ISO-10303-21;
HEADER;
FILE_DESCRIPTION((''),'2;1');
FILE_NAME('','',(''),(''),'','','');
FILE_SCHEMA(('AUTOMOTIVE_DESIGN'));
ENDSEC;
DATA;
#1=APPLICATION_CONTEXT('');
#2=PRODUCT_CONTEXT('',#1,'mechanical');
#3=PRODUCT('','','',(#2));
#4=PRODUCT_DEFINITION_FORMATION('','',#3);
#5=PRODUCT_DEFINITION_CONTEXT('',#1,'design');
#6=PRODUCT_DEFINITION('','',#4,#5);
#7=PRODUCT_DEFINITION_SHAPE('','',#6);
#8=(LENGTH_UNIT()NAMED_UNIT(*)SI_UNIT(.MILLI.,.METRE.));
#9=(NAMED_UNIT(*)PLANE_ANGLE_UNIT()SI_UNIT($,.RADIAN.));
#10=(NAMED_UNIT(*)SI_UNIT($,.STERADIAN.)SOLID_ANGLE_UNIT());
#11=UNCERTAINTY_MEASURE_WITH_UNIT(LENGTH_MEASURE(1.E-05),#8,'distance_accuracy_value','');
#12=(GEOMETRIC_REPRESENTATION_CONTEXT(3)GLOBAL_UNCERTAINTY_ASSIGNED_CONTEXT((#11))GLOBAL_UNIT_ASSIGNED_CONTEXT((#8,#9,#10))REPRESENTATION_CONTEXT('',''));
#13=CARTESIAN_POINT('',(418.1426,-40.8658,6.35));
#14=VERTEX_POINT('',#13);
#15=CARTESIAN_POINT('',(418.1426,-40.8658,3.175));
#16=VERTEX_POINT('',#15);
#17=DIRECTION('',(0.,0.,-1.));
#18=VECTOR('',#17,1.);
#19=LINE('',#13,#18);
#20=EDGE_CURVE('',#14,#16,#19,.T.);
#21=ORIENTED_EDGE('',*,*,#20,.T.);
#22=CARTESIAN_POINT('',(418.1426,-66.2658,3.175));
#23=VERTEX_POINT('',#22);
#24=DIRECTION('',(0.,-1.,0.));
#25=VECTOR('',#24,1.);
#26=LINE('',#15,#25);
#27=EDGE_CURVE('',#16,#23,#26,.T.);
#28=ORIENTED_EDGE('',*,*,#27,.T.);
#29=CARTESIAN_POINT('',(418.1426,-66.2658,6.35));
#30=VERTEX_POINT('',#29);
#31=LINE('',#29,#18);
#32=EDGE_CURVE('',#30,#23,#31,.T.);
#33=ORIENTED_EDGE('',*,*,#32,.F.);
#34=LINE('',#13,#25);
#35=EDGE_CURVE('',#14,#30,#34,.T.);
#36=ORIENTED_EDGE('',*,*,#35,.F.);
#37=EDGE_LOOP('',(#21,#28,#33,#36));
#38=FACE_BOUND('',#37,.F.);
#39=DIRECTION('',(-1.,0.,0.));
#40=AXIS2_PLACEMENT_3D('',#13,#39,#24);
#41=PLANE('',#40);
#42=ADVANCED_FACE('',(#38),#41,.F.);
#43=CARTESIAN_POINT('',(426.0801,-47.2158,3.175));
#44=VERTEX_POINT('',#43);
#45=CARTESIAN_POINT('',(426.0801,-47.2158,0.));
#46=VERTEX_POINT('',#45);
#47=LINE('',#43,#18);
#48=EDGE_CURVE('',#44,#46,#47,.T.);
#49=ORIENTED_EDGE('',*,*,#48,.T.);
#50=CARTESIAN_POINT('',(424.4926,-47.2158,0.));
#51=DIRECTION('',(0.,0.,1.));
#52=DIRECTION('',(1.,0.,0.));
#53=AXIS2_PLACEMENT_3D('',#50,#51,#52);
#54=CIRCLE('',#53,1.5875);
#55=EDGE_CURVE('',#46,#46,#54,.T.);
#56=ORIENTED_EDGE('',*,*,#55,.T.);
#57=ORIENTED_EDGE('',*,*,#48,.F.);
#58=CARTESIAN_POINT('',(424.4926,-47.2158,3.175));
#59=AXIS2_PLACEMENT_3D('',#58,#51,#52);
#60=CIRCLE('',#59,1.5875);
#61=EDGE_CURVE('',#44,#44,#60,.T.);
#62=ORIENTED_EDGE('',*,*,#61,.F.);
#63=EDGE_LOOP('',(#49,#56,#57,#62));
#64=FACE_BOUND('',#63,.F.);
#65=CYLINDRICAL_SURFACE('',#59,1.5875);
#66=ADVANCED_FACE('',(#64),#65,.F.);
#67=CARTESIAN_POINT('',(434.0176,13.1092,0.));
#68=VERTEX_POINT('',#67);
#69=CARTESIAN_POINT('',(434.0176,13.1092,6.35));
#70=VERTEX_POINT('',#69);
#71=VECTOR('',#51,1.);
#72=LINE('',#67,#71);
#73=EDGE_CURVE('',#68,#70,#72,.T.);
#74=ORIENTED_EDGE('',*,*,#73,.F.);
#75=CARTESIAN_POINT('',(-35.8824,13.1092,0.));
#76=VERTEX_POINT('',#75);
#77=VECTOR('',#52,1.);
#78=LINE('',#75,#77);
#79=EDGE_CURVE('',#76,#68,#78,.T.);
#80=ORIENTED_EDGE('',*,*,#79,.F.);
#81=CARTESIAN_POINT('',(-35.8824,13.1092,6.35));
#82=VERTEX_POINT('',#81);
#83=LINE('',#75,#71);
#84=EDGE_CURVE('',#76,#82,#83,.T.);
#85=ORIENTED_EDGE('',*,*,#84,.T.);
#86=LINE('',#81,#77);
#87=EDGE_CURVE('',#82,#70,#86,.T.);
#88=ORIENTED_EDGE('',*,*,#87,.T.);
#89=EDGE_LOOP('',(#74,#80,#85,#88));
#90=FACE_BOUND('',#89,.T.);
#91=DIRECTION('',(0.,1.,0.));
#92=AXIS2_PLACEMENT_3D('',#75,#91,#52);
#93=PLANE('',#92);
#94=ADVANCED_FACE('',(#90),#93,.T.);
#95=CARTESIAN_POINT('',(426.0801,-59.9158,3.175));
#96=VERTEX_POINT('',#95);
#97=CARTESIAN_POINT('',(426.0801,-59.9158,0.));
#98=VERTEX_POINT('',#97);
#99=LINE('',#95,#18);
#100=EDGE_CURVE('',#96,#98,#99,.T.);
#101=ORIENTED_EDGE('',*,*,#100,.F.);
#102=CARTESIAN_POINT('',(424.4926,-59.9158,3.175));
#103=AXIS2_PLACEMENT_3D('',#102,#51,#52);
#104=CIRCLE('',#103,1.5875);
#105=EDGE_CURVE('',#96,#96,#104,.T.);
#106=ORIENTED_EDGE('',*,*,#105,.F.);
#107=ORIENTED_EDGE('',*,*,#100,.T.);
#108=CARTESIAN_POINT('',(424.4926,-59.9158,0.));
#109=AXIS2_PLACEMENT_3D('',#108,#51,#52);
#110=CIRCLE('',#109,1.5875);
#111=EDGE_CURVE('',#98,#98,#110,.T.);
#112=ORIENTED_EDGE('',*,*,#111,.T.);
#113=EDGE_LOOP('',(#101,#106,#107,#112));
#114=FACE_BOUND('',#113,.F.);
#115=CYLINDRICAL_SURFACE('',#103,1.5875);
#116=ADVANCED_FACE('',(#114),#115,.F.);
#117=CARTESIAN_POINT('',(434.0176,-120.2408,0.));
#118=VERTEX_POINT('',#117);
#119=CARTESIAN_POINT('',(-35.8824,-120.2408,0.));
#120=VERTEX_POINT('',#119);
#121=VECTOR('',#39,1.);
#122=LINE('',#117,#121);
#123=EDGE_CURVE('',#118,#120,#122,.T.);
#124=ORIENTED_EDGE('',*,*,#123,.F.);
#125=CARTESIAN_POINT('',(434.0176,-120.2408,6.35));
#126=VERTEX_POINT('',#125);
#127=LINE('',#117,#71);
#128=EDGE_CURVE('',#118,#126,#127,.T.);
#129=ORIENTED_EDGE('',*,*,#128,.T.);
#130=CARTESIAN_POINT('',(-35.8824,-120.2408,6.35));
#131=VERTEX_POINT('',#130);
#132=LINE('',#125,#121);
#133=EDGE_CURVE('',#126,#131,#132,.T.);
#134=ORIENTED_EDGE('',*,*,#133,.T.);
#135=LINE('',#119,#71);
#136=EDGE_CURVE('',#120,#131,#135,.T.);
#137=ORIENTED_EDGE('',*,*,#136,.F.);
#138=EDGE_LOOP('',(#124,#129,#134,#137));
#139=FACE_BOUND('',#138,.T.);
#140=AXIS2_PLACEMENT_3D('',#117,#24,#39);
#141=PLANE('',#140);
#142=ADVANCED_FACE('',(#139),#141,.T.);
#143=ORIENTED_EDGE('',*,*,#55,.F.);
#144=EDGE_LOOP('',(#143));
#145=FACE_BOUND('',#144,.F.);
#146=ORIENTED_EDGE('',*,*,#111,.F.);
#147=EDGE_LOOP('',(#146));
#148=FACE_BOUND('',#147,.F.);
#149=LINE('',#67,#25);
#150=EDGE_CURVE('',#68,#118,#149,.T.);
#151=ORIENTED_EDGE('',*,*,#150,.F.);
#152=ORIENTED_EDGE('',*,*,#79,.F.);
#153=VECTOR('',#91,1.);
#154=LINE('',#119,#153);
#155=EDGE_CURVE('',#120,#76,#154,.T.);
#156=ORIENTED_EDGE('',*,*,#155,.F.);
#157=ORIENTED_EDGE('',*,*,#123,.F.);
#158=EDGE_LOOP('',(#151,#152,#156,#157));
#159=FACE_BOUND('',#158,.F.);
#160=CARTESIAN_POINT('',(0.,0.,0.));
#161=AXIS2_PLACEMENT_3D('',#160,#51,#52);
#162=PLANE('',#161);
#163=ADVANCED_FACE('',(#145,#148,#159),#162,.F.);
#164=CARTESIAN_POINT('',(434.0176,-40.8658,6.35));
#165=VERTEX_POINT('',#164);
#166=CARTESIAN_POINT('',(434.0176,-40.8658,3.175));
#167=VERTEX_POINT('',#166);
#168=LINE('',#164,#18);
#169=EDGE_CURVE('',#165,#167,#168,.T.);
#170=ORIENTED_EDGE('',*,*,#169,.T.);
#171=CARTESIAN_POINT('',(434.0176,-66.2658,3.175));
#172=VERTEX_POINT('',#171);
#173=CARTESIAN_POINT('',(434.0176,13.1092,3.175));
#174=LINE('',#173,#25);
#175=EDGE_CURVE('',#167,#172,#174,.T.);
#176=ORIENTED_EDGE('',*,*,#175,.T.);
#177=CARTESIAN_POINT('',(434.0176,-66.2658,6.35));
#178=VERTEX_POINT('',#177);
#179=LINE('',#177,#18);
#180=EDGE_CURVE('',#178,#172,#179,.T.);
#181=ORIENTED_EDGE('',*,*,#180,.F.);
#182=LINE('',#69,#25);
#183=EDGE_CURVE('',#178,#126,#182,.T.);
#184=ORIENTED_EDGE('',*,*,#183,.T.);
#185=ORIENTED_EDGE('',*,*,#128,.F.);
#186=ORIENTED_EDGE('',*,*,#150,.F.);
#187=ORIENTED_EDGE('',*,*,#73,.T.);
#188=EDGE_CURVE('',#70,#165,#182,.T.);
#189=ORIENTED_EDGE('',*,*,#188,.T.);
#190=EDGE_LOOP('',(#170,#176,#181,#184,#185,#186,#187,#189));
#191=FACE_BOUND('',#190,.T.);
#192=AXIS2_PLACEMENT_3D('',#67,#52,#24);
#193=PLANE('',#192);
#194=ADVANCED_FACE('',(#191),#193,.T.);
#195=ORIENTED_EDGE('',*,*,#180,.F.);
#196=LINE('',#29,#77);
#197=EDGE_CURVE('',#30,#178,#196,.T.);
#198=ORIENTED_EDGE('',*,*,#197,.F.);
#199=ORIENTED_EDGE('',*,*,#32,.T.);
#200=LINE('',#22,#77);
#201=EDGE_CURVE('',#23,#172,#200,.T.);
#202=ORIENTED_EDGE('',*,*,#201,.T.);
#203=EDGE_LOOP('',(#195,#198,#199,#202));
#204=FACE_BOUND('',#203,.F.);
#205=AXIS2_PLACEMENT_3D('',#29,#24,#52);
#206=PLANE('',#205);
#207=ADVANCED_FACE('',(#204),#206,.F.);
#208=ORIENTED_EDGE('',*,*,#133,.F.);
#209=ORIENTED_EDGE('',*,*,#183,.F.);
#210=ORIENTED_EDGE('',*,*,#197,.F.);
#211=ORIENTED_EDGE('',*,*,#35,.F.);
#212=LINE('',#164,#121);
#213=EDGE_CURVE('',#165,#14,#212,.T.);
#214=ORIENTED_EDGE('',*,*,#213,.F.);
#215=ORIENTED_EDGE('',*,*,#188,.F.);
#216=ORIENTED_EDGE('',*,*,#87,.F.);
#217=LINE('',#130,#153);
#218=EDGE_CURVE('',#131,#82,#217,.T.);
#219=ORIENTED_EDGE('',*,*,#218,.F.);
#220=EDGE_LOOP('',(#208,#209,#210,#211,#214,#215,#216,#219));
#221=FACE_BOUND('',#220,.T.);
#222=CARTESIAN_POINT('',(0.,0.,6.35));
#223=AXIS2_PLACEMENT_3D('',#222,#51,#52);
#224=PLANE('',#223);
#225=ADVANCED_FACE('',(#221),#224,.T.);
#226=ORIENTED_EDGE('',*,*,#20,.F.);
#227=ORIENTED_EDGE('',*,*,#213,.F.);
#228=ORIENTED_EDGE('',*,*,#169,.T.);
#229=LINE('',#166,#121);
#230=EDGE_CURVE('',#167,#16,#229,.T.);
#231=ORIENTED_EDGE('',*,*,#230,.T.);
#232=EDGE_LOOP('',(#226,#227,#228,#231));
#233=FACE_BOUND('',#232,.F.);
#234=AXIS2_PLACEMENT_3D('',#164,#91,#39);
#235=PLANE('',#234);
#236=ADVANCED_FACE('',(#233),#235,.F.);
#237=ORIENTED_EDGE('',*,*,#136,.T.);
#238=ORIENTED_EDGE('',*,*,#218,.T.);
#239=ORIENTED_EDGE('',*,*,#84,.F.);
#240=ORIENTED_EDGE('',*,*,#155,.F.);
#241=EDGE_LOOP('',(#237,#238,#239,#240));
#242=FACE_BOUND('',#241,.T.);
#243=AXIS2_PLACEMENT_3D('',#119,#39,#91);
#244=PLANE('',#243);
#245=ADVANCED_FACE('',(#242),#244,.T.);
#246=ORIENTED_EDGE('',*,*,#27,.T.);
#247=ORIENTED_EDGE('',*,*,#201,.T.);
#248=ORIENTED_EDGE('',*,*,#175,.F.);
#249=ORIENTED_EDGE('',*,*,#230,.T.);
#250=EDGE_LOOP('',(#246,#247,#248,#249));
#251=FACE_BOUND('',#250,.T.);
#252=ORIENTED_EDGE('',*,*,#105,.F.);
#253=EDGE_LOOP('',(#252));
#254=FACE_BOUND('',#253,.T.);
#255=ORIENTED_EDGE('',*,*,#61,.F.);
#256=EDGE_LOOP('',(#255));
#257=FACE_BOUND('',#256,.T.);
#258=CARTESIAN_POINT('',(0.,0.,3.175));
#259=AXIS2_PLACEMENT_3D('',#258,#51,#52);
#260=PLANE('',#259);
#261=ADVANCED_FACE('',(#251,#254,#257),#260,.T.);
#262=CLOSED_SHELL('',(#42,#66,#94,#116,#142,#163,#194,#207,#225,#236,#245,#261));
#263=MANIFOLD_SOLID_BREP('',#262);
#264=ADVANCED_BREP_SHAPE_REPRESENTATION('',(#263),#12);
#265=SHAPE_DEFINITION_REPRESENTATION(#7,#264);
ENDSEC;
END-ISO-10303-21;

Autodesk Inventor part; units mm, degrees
ref_plane "YZ Plane" through (0, 0, 0) normal (1, 0, 0) x (0, 1, 0)
ref_plane "XZ Plane" through (0, 0, 0) normal (0, 1, 0) x (-1, 0, 0)
ref_plane "XY Plane" through (0, 0, 0) normal (0, 0, 1) x (1, 0, 0)
sketch "Sketch1" plane through (0, 0, 0) normal (0, 0, 1) x (1, 0, 0)
  line L0 (-35.8824, 13.1092) -> (434.0176, 13.1092)
  line L1 (434.0176, 13.1092) -> (434.0176, -120.2408)
  line L2 (434.0176, -120.2408) -> (-35.8824, -120.2408)
  line L3 (-35.8824, -120.2408) -> (-35.8824, 13.1092)
  point P0 (0, 0)
  dimension "d0" = 469.9
  dimension "d1" = 133.35
extrude "Extrusion1" add sketch "Sketch1" along normal blind 6.35
sketch "Sketch2" plane through (0, 0, 6.35) normal (0, 0, 1) x (1, 0, 0)
  line L0 (434.0176, 13.1092) -> (434.0176, -120.2408) projected
  line L1 (434.0176, -40.8658) -> (418.1426, -40.8658)
  line L2 (418.1426, -40.8658) -> (418.1426, -66.2658)
  line L3 (418.1426, -66.2658) -> (434.0176, -66.2658)
  line L4 (434.0176, -66.2658) -> (434.0176, -40.8658)
  line L5 (-35.8824, 13.1092) -> (434.0176, 13.1092) projected
  line L6 (-35.8824, -120.2408) -> (-35.8824, 13.1092) projected
  line L7 (434.0176, -120.2408) -> (-35.8824, -120.2408) projected
  line L8 (199.0676, 13.1092) -> (199.0676, -120.2408)
  line L9 (-35.8824, -40.8658) -> (-20.0074, -40.8658)
  line L10 (-20.0074, -40.8658) -> (-20.0074, -66.2658)
  line L11 (-20.0074, -66.2658) -> (-35.8824, -66.2658)
  line L12 (-35.8824, -66.2658) -> (-35.8824, -40.8658)
  point P0 (0, 0)
  dimension "d4" = 15.875
  dimension "d5" = 25.4
  dimension "d6" = 53.975
  dimension "d16" = 234.95
extrude "Extrusion2" cut sketch "Sketch2" against normal blind 3.175 contours L0 L3 L2 L1
sketch "Sketch3" plane through (0, 0, 3.175) normal (0, 0, 1) x (1, 0, 0)
  line L0 (418.1426, -40.8658) -> (418.1426, -66.2658) projected
  line L1 (434.0176, -40.8658) -> (418.1426, -40.8658) projected
  circle A0 centre (424.4926, -47.2158) radius 1.5875
  circle A1 centre (424.4926, -59.9158) radius 1.5875
  point P0 (0, 0)
  dimension "d9" = 12.7
  dimension "d10" = 6.35
  dimension "d11" = 6.35
  dimension "d12" = 3.175
  dimension "d13" = 3.175
extrude "Extrusion3" cut sketch "Sketch3" against normal blind 25.4
properties part number "top panel for hinge"
